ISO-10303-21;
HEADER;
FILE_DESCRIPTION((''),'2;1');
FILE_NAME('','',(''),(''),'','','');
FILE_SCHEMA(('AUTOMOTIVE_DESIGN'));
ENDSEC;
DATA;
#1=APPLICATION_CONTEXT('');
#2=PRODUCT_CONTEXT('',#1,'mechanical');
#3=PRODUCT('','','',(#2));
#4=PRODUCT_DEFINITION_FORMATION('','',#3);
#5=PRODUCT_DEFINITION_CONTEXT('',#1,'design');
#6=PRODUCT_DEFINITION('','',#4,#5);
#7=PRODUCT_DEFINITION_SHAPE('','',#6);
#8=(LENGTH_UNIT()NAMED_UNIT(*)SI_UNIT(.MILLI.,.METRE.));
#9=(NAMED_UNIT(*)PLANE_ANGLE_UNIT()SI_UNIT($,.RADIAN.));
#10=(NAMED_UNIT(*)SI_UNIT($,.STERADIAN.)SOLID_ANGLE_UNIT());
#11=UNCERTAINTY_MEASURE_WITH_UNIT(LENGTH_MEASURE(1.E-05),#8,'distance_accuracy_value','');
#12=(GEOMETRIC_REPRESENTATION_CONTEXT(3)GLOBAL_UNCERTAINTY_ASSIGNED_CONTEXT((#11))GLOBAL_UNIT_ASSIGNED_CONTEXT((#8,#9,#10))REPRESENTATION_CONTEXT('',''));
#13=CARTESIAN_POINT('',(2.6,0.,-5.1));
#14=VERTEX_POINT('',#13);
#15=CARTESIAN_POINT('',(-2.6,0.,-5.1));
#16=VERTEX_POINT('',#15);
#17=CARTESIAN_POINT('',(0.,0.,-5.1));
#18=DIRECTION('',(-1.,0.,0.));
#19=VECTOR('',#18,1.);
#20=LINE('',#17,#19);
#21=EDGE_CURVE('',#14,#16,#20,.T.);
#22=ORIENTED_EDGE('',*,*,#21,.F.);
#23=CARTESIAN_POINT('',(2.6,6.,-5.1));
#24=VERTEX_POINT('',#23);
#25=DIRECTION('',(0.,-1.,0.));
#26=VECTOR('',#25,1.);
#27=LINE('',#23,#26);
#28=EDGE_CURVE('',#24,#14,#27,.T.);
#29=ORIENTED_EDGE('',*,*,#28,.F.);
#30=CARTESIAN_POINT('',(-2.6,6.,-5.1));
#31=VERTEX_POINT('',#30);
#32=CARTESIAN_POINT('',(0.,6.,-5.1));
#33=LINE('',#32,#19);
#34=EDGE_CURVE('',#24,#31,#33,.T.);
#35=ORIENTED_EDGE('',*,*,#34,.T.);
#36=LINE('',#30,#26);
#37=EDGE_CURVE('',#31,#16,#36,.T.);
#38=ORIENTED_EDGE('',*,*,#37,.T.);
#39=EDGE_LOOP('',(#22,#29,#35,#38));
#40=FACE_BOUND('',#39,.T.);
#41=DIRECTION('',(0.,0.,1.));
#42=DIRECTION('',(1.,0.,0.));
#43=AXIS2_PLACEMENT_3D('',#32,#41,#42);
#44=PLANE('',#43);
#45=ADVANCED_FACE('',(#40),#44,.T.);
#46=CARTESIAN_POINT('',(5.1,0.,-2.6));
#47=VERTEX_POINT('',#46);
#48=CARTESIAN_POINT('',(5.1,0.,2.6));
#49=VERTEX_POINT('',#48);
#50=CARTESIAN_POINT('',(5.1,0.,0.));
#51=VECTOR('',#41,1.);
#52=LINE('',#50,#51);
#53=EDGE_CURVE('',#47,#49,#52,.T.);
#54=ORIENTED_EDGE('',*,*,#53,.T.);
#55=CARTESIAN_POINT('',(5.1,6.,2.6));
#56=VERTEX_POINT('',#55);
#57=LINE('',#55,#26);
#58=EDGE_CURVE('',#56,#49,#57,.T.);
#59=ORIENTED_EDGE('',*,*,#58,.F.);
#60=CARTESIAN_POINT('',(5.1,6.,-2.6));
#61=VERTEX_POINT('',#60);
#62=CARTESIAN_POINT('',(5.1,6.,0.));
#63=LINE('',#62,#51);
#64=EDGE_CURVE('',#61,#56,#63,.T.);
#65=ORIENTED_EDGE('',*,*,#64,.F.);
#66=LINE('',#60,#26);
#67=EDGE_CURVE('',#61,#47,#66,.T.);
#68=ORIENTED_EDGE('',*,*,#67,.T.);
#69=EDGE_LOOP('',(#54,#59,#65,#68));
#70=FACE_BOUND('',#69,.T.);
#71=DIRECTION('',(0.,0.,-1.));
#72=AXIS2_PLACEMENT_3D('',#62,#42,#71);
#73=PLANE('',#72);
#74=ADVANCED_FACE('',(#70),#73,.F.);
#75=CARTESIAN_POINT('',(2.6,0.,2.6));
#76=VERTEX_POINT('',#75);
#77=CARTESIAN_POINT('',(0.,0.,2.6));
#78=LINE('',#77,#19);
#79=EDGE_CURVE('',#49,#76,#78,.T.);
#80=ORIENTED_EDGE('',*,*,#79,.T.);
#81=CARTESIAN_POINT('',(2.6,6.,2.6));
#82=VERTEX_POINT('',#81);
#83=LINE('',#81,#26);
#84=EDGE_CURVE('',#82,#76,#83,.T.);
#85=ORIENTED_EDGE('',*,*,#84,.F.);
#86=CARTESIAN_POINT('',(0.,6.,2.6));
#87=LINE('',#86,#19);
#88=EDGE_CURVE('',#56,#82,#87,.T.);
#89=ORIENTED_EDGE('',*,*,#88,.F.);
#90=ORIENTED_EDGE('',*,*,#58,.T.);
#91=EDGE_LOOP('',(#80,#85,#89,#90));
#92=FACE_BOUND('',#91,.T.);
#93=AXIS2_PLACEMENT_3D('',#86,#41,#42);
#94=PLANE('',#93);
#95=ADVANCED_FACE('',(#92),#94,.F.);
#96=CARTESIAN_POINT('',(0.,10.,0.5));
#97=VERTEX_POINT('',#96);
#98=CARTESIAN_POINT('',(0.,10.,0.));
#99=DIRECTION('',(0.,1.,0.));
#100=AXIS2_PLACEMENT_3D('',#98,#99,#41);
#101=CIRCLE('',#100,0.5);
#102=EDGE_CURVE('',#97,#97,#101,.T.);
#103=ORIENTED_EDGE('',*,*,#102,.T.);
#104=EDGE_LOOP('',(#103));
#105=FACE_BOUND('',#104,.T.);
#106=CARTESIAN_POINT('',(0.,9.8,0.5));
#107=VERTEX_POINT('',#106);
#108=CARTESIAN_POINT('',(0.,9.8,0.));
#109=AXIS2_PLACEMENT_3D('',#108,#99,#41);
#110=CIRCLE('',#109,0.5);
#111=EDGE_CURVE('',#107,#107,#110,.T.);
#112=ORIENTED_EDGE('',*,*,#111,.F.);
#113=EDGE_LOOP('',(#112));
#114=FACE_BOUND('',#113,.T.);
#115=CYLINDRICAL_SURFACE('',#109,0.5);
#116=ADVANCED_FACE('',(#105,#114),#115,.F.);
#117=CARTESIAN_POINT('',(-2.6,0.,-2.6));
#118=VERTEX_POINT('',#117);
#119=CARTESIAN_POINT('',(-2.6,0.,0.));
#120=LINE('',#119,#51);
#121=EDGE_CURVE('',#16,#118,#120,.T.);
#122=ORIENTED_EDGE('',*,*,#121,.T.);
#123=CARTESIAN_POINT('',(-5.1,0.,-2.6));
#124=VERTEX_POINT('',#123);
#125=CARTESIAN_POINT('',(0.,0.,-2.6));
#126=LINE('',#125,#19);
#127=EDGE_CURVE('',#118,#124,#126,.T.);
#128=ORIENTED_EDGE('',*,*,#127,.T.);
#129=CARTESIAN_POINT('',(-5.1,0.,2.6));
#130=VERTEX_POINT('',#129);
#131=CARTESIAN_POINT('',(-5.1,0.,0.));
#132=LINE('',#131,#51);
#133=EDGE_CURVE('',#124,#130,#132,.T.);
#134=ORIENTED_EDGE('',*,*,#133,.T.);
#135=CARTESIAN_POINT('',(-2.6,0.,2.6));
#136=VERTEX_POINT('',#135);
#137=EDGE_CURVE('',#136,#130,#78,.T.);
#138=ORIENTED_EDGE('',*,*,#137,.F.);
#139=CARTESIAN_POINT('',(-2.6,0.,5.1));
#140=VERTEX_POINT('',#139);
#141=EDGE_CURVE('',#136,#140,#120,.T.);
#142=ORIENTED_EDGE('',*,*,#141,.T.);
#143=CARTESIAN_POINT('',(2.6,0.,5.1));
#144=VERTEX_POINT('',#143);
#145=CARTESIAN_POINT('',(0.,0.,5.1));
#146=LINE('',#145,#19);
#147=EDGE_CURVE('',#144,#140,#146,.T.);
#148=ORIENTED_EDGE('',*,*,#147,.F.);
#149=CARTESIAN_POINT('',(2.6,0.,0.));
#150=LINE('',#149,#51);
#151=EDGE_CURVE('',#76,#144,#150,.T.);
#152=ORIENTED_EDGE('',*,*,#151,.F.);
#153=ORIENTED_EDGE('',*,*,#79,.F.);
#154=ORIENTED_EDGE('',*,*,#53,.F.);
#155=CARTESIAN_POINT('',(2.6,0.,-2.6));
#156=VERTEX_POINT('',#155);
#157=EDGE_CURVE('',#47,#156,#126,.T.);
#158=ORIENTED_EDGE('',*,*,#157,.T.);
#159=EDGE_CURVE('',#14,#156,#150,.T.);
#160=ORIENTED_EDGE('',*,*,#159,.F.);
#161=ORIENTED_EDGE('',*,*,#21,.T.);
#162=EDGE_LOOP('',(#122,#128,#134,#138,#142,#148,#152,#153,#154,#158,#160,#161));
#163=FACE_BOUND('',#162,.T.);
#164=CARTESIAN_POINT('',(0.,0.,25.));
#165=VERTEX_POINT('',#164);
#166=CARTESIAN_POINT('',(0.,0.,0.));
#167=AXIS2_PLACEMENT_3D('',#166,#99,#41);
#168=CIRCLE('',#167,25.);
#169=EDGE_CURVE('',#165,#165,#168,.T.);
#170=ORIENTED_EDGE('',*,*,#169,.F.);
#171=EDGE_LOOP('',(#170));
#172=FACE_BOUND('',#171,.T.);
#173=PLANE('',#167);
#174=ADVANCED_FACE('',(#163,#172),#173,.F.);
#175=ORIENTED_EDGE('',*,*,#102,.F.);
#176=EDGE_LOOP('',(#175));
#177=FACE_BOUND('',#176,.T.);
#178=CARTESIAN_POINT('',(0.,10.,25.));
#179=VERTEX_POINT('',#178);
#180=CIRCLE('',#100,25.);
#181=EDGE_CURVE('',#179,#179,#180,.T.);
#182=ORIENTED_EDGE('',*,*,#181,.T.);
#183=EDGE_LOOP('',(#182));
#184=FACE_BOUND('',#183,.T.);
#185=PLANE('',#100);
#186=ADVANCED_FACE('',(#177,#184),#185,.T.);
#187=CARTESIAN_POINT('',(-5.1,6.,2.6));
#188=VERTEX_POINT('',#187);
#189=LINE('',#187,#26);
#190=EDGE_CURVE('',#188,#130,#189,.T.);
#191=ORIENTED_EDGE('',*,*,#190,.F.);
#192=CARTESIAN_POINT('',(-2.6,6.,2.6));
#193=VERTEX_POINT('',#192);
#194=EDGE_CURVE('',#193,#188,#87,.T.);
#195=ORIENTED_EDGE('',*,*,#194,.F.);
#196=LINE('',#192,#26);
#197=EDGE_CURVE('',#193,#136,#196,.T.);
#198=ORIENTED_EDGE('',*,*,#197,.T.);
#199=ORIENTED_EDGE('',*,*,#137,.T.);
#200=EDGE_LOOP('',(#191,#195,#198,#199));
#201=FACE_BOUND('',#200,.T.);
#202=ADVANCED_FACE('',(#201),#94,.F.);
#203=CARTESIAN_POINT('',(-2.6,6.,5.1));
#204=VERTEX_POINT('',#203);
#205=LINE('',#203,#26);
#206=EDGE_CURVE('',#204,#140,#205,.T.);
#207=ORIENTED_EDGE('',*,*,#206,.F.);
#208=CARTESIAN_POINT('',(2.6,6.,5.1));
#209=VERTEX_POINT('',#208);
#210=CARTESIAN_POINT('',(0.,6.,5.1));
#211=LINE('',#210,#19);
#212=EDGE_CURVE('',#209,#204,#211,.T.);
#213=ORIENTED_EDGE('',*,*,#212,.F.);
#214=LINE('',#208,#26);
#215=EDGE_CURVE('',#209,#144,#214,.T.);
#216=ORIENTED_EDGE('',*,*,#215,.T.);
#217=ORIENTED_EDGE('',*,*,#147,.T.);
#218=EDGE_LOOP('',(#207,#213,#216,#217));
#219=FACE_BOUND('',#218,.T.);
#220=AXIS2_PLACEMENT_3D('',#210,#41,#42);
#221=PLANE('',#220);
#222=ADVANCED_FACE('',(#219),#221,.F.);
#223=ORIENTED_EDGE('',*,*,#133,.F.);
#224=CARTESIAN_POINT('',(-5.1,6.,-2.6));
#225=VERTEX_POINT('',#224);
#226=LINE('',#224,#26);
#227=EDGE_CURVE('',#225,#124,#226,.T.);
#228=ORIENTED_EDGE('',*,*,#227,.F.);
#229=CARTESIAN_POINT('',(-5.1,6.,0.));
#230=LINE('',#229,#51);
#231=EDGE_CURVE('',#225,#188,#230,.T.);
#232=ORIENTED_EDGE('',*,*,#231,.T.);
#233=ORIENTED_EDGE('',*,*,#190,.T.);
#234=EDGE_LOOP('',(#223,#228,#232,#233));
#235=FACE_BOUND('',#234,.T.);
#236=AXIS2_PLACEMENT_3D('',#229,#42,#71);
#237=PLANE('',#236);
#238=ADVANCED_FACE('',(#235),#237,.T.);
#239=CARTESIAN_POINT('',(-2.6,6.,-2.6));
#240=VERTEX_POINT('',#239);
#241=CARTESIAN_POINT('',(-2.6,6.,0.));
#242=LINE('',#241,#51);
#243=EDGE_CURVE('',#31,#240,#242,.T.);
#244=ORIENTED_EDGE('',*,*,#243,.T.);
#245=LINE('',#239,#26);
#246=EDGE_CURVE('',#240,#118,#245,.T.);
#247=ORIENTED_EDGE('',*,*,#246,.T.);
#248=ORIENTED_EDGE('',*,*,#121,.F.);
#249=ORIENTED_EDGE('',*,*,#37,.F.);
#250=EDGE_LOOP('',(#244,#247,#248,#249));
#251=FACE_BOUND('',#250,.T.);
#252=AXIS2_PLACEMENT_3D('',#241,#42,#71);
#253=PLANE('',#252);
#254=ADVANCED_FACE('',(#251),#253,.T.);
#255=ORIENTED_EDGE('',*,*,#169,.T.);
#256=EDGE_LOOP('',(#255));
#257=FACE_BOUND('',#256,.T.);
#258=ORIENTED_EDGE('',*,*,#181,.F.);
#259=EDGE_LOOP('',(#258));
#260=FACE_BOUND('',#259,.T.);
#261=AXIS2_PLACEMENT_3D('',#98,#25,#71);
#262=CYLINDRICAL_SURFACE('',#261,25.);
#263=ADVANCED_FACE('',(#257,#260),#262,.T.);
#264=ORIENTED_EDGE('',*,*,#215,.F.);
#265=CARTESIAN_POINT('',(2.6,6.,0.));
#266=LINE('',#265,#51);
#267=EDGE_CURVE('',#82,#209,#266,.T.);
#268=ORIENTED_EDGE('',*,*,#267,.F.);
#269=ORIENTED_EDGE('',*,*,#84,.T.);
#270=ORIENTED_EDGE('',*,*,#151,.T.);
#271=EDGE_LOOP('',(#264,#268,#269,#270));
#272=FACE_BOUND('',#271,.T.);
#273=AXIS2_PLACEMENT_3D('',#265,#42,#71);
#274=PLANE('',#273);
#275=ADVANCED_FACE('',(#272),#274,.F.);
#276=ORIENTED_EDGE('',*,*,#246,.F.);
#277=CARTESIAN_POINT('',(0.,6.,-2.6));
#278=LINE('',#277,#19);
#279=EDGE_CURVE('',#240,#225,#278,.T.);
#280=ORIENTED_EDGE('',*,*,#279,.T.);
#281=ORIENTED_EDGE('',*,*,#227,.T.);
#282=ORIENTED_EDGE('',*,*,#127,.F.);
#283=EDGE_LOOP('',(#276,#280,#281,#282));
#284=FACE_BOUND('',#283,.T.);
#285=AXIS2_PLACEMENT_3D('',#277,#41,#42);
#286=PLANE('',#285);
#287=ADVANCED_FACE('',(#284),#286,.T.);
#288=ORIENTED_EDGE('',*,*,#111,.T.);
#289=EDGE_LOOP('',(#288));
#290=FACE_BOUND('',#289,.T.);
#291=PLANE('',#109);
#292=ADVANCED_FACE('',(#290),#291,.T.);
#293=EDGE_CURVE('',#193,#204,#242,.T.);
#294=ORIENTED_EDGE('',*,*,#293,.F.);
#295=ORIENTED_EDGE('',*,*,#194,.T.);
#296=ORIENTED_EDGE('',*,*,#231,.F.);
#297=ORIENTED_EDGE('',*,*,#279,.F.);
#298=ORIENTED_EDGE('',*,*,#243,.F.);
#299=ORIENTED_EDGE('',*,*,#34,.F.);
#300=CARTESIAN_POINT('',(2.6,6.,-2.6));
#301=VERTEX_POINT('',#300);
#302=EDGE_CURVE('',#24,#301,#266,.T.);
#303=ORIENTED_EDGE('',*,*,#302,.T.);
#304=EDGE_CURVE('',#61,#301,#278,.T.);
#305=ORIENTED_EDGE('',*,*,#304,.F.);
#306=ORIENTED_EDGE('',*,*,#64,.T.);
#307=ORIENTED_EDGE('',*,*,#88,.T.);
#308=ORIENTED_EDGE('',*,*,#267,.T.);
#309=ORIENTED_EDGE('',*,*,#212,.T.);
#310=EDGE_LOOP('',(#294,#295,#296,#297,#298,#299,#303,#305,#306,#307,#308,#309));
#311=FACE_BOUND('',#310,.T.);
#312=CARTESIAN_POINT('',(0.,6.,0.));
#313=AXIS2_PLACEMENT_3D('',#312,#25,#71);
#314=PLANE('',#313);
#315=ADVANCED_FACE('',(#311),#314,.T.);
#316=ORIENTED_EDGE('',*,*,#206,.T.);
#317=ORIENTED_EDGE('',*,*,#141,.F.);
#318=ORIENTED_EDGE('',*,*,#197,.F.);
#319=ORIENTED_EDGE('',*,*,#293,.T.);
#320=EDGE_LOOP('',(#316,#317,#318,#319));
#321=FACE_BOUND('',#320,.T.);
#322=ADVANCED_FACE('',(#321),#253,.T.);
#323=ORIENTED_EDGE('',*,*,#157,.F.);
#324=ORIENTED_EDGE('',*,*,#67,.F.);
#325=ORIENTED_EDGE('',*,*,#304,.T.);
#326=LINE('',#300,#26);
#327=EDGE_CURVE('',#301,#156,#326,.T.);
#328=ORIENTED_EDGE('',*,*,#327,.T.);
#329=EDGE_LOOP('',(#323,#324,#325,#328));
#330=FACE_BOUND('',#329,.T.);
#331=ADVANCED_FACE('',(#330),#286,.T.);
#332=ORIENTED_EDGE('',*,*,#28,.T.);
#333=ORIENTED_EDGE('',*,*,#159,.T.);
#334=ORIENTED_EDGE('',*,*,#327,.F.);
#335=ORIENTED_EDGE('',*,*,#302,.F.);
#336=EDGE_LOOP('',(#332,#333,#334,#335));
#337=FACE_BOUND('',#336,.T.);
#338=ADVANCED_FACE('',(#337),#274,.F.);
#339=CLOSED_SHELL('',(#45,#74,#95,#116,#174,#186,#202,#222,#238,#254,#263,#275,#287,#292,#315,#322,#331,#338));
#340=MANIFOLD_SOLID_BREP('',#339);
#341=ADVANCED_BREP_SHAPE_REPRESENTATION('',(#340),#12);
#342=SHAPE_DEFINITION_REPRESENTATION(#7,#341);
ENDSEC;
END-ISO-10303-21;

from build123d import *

# Parameters (mm, degrees)
ESBO_O1_R                = 25
RESSALTO_EXTRUS_O1_DEPTH = 10
ESBO_O2_W                = 2.5
ESBO_O2_H                = 5.2
ESBO_O2_W_2              = 5.2
ESBO_O2_H_2              = 2.5
CORTE_EXTRUS_O1_DEPTH    = 6
ESBO_O3_R                = 0.5
CORTE_EXTRUS_O2_DEPTH    = 0.2


with BuildPart() as part:
    # Esboço1 → Ressalto-extrusão1 (new body)
    with BuildSketch(Plane(origin=(0, 0, 0), x_dir=(1, 0, 0), z_dir=(0, 1, 0))):
        Circle(ESBO_O1_R)
    extrude(amount=RESSALTO_EXTRUS_O1_DEPTH)

    # Esboço2 → Corte-extrusão1 (cut)
    with BuildSketch(Plane.XZ):
        with Locations((-3.85, 0)):
            Rectangle(ESBO_O2_W, ESBO_O2_H)
        Rectangle(ESBO_O2_W_2, ESBO_O2_H)
        with Locations((0, 3.85)):
            Rectangle(ESBO_O2_W_2, ESBO_O2_H_2)
        with Locations((3.85, 0)):
            Rectangle(ESBO_O2_W, ESBO_O2_H)
        with Locations((0, -3.85)):
            Rectangle(ESBO_O2_W_2, ESBO_O2_H_2)
    extrude(amount=-CORTE_EXTRUS_O1_DEPTH, mode=Mode.SUBTRACT)

    # Esboço3 → Corte-extrusão2 (cut)
    with BuildSketch(Plane(origin=(0, 10, 0), x_dir=(1, 0, 0), z_dir=(0, 1, 0))):
        Circle(ESBO_O3_R)
    extrude(amount=-CORTE_EXTRUS_O2_DEPTH, mode=Mode.SUBTRACT)


solid = part.part
